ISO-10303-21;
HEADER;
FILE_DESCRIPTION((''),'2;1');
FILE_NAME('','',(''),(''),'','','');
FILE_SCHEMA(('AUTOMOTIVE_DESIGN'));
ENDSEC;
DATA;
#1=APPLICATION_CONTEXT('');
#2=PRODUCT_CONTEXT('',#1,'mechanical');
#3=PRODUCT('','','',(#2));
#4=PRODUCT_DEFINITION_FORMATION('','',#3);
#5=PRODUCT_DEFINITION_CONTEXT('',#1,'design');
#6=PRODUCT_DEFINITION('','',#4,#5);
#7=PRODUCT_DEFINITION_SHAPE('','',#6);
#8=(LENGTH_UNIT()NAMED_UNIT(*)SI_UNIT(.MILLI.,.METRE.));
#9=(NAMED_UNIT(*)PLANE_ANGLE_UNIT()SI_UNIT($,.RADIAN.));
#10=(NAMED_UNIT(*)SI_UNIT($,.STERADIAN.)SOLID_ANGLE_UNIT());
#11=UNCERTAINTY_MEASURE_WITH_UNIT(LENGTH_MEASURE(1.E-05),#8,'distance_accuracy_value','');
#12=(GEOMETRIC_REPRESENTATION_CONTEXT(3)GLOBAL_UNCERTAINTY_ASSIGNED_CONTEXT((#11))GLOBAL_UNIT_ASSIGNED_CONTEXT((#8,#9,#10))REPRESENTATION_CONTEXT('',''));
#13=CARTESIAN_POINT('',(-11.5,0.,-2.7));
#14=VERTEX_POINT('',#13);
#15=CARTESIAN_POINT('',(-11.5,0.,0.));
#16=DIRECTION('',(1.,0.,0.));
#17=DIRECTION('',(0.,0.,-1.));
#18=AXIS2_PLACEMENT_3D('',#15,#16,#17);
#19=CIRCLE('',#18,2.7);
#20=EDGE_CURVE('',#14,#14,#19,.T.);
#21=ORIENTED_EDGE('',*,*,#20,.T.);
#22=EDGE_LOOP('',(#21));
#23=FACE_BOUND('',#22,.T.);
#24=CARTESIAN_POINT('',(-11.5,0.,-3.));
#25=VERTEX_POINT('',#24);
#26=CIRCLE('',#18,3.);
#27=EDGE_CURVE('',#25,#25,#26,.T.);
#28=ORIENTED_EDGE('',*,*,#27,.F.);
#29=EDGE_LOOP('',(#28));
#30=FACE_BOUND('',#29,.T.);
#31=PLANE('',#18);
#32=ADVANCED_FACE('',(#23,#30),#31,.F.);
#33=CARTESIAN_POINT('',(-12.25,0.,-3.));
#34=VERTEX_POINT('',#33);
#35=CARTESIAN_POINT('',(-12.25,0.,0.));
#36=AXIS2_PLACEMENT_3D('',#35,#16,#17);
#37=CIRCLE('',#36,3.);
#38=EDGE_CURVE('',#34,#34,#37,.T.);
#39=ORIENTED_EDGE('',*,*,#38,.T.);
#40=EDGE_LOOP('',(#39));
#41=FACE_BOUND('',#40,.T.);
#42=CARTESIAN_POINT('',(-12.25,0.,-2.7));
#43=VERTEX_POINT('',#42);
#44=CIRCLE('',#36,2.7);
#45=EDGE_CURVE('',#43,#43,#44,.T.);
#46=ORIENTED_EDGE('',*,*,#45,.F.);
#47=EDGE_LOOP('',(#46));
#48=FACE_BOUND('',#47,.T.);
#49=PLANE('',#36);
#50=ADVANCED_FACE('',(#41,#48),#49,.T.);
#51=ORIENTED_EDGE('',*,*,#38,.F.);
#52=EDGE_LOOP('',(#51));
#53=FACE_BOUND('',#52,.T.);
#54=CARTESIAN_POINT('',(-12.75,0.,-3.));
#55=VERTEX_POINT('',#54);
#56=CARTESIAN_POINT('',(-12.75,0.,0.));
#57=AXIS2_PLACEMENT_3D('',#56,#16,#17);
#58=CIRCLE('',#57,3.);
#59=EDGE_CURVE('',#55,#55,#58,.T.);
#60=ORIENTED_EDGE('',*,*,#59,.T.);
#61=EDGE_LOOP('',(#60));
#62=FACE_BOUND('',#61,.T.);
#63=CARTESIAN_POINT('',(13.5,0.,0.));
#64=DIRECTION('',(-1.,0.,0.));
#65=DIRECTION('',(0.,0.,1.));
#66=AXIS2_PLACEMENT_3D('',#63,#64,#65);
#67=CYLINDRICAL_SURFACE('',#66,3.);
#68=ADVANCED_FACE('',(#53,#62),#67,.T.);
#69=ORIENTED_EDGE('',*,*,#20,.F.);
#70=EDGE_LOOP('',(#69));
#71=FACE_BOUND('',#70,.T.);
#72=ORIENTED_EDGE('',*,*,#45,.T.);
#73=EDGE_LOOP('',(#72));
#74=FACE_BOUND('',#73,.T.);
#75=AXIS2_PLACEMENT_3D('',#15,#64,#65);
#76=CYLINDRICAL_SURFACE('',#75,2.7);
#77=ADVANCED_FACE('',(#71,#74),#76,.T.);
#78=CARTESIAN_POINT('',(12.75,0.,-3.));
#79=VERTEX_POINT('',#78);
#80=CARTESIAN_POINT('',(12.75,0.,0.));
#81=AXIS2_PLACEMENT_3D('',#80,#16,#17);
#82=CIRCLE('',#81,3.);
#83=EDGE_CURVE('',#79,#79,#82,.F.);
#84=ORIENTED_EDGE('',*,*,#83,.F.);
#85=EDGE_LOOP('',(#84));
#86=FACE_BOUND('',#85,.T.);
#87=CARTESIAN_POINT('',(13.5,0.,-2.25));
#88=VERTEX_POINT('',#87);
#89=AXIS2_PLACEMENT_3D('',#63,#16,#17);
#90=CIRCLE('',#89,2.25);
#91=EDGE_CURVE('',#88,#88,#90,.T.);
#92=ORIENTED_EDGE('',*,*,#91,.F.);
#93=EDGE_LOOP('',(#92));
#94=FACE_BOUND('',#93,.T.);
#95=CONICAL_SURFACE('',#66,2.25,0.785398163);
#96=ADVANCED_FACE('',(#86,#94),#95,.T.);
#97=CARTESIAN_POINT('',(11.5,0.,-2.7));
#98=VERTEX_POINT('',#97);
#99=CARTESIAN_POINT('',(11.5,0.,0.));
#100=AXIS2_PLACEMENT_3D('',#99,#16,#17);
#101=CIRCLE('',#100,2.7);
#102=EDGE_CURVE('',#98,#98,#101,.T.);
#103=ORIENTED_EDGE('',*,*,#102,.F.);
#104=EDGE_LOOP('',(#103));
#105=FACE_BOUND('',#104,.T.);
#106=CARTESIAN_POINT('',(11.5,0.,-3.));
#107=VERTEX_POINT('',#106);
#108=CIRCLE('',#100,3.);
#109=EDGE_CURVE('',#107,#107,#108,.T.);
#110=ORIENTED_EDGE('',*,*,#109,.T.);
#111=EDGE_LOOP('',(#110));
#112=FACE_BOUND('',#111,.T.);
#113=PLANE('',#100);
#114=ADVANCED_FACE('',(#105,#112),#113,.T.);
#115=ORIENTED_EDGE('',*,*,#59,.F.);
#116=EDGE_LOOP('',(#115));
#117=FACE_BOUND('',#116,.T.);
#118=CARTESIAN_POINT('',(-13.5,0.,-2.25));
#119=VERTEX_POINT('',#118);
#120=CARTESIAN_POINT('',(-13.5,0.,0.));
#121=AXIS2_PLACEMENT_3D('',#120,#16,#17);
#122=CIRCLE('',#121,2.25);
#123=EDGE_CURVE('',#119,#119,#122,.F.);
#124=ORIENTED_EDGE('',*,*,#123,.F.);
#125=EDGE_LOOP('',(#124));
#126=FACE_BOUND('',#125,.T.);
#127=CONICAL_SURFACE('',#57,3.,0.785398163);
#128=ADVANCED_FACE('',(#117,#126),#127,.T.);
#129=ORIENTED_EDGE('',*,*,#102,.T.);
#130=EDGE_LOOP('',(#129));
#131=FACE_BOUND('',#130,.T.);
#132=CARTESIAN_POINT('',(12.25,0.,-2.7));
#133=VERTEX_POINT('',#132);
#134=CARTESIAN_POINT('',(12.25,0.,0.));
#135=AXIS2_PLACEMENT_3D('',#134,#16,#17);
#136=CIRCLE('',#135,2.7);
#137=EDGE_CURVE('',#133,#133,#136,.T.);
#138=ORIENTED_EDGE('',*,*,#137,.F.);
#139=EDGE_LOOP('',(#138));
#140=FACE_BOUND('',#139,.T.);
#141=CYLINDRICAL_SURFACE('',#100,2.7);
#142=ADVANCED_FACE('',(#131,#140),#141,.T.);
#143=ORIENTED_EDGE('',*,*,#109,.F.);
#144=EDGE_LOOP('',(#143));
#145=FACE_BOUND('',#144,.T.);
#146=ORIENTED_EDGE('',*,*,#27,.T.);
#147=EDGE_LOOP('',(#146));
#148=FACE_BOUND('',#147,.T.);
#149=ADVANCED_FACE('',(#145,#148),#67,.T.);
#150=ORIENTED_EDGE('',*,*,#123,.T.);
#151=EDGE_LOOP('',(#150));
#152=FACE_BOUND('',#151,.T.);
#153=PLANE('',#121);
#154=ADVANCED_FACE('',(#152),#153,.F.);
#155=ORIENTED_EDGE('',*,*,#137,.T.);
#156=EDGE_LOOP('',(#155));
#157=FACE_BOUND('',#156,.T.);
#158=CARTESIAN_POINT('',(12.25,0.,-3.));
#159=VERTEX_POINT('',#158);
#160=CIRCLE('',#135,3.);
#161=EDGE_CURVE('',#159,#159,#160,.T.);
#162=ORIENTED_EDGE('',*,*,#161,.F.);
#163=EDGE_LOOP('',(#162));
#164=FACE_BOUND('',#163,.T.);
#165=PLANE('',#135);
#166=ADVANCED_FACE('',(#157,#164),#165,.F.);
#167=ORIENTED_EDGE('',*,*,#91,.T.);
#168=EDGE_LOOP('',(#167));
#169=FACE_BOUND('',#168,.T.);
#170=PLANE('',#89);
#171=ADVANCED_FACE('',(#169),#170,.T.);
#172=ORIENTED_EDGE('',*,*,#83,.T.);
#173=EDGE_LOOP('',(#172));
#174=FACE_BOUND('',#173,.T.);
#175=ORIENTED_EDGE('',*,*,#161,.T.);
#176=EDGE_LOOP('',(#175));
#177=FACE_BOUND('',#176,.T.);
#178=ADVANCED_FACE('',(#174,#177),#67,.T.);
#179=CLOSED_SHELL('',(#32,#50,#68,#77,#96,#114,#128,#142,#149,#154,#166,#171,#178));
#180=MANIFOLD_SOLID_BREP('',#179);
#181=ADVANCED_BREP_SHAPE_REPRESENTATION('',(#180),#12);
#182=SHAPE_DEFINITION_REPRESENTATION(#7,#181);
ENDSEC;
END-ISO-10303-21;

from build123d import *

# Parameters (mm, degrees)
ESQUISSE2_R             = 3
BASE_EXTRUSION_DEPTH    = 13.5
ESQUISSE3_OUTSIDE_W     = 13.66
ESQUISSE3_OUTSIDE_H     = 13.66
ESQUISSE3_OUTSIDE_R     = 2.7
ENL_V_MAT_EXTRU_1_DEPTH = 0.75
ESQUISSE4_OUTSIDE_W     = 13.66
ESQUISSE4_OUTSIDE_H     = 13.66
ESQUISSE4_OUTSIDE_R     = 2.7
ENL_V_MAT_EXTRU_2_DEPTH = 0.75
CHANFREIN3_SIZE         = 0.75


with BuildPart() as part:
    # Esquisse2 → Base-Extrusion (new body, symmetric)
    with BuildSketch(Plane(origin=(0, 0, 0), x_dir=(0, 0, -1), z_dir=(1, 0, 0))):
        Circle(ESQUISSE2_R)
    extrude(amount=BASE_EXTRUSION_DEPTH, both=True)

    # Esquisse3 outside → Enlèv. mat.-Extru.1 (cut)
    with BuildSketch(Plane(origin=(12.25, 0, 0), x_dir=(0, 0, -1), z_dir=(1, 0, 0))):
        Rectangle(ESQUISSE3_OUTSIDE_W, ESQUISSE3_OUTSIDE_H)
        Circle(ESQUISSE3_OUTSIDE_R, mode=Mode.SUBTRACT)
    extrude(amount=-ENL_V_MAT_EXTRU_1_DEPTH, mode=Mode.SUBTRACT)

    # Esquisse4 outside → Enlèv. mat.-Extru.2 (cut)
    with BuildSketch(Plane(origin=(-12.25, 0, 0), x_dir=(0, 0, -1), z_dir=(1, 0, 0))):
        Rectangle(ESQUISSE4_OUTSIDE_W, ESQUISSE4_OUTSIDE_H)
        Circle(ESQUISSE4_OUTSIDE_R, mode=Mode.SUBTRACT)
    extrude(amount=ENL_V_MAT_EXTRU_2_DEPTH, mode=Mode.SUBTRACT)

    # Chanfrein3
    chanfrein3_edges = [part.edges().sort_by_distance(p)[0] for p in [
        (-13.5, 0, 3),
        (13.5, 0, 3),
    ]]
    chamfer(chanfrein3_edges, length=CHANFREIN3_SIZE)


solid = part.part
